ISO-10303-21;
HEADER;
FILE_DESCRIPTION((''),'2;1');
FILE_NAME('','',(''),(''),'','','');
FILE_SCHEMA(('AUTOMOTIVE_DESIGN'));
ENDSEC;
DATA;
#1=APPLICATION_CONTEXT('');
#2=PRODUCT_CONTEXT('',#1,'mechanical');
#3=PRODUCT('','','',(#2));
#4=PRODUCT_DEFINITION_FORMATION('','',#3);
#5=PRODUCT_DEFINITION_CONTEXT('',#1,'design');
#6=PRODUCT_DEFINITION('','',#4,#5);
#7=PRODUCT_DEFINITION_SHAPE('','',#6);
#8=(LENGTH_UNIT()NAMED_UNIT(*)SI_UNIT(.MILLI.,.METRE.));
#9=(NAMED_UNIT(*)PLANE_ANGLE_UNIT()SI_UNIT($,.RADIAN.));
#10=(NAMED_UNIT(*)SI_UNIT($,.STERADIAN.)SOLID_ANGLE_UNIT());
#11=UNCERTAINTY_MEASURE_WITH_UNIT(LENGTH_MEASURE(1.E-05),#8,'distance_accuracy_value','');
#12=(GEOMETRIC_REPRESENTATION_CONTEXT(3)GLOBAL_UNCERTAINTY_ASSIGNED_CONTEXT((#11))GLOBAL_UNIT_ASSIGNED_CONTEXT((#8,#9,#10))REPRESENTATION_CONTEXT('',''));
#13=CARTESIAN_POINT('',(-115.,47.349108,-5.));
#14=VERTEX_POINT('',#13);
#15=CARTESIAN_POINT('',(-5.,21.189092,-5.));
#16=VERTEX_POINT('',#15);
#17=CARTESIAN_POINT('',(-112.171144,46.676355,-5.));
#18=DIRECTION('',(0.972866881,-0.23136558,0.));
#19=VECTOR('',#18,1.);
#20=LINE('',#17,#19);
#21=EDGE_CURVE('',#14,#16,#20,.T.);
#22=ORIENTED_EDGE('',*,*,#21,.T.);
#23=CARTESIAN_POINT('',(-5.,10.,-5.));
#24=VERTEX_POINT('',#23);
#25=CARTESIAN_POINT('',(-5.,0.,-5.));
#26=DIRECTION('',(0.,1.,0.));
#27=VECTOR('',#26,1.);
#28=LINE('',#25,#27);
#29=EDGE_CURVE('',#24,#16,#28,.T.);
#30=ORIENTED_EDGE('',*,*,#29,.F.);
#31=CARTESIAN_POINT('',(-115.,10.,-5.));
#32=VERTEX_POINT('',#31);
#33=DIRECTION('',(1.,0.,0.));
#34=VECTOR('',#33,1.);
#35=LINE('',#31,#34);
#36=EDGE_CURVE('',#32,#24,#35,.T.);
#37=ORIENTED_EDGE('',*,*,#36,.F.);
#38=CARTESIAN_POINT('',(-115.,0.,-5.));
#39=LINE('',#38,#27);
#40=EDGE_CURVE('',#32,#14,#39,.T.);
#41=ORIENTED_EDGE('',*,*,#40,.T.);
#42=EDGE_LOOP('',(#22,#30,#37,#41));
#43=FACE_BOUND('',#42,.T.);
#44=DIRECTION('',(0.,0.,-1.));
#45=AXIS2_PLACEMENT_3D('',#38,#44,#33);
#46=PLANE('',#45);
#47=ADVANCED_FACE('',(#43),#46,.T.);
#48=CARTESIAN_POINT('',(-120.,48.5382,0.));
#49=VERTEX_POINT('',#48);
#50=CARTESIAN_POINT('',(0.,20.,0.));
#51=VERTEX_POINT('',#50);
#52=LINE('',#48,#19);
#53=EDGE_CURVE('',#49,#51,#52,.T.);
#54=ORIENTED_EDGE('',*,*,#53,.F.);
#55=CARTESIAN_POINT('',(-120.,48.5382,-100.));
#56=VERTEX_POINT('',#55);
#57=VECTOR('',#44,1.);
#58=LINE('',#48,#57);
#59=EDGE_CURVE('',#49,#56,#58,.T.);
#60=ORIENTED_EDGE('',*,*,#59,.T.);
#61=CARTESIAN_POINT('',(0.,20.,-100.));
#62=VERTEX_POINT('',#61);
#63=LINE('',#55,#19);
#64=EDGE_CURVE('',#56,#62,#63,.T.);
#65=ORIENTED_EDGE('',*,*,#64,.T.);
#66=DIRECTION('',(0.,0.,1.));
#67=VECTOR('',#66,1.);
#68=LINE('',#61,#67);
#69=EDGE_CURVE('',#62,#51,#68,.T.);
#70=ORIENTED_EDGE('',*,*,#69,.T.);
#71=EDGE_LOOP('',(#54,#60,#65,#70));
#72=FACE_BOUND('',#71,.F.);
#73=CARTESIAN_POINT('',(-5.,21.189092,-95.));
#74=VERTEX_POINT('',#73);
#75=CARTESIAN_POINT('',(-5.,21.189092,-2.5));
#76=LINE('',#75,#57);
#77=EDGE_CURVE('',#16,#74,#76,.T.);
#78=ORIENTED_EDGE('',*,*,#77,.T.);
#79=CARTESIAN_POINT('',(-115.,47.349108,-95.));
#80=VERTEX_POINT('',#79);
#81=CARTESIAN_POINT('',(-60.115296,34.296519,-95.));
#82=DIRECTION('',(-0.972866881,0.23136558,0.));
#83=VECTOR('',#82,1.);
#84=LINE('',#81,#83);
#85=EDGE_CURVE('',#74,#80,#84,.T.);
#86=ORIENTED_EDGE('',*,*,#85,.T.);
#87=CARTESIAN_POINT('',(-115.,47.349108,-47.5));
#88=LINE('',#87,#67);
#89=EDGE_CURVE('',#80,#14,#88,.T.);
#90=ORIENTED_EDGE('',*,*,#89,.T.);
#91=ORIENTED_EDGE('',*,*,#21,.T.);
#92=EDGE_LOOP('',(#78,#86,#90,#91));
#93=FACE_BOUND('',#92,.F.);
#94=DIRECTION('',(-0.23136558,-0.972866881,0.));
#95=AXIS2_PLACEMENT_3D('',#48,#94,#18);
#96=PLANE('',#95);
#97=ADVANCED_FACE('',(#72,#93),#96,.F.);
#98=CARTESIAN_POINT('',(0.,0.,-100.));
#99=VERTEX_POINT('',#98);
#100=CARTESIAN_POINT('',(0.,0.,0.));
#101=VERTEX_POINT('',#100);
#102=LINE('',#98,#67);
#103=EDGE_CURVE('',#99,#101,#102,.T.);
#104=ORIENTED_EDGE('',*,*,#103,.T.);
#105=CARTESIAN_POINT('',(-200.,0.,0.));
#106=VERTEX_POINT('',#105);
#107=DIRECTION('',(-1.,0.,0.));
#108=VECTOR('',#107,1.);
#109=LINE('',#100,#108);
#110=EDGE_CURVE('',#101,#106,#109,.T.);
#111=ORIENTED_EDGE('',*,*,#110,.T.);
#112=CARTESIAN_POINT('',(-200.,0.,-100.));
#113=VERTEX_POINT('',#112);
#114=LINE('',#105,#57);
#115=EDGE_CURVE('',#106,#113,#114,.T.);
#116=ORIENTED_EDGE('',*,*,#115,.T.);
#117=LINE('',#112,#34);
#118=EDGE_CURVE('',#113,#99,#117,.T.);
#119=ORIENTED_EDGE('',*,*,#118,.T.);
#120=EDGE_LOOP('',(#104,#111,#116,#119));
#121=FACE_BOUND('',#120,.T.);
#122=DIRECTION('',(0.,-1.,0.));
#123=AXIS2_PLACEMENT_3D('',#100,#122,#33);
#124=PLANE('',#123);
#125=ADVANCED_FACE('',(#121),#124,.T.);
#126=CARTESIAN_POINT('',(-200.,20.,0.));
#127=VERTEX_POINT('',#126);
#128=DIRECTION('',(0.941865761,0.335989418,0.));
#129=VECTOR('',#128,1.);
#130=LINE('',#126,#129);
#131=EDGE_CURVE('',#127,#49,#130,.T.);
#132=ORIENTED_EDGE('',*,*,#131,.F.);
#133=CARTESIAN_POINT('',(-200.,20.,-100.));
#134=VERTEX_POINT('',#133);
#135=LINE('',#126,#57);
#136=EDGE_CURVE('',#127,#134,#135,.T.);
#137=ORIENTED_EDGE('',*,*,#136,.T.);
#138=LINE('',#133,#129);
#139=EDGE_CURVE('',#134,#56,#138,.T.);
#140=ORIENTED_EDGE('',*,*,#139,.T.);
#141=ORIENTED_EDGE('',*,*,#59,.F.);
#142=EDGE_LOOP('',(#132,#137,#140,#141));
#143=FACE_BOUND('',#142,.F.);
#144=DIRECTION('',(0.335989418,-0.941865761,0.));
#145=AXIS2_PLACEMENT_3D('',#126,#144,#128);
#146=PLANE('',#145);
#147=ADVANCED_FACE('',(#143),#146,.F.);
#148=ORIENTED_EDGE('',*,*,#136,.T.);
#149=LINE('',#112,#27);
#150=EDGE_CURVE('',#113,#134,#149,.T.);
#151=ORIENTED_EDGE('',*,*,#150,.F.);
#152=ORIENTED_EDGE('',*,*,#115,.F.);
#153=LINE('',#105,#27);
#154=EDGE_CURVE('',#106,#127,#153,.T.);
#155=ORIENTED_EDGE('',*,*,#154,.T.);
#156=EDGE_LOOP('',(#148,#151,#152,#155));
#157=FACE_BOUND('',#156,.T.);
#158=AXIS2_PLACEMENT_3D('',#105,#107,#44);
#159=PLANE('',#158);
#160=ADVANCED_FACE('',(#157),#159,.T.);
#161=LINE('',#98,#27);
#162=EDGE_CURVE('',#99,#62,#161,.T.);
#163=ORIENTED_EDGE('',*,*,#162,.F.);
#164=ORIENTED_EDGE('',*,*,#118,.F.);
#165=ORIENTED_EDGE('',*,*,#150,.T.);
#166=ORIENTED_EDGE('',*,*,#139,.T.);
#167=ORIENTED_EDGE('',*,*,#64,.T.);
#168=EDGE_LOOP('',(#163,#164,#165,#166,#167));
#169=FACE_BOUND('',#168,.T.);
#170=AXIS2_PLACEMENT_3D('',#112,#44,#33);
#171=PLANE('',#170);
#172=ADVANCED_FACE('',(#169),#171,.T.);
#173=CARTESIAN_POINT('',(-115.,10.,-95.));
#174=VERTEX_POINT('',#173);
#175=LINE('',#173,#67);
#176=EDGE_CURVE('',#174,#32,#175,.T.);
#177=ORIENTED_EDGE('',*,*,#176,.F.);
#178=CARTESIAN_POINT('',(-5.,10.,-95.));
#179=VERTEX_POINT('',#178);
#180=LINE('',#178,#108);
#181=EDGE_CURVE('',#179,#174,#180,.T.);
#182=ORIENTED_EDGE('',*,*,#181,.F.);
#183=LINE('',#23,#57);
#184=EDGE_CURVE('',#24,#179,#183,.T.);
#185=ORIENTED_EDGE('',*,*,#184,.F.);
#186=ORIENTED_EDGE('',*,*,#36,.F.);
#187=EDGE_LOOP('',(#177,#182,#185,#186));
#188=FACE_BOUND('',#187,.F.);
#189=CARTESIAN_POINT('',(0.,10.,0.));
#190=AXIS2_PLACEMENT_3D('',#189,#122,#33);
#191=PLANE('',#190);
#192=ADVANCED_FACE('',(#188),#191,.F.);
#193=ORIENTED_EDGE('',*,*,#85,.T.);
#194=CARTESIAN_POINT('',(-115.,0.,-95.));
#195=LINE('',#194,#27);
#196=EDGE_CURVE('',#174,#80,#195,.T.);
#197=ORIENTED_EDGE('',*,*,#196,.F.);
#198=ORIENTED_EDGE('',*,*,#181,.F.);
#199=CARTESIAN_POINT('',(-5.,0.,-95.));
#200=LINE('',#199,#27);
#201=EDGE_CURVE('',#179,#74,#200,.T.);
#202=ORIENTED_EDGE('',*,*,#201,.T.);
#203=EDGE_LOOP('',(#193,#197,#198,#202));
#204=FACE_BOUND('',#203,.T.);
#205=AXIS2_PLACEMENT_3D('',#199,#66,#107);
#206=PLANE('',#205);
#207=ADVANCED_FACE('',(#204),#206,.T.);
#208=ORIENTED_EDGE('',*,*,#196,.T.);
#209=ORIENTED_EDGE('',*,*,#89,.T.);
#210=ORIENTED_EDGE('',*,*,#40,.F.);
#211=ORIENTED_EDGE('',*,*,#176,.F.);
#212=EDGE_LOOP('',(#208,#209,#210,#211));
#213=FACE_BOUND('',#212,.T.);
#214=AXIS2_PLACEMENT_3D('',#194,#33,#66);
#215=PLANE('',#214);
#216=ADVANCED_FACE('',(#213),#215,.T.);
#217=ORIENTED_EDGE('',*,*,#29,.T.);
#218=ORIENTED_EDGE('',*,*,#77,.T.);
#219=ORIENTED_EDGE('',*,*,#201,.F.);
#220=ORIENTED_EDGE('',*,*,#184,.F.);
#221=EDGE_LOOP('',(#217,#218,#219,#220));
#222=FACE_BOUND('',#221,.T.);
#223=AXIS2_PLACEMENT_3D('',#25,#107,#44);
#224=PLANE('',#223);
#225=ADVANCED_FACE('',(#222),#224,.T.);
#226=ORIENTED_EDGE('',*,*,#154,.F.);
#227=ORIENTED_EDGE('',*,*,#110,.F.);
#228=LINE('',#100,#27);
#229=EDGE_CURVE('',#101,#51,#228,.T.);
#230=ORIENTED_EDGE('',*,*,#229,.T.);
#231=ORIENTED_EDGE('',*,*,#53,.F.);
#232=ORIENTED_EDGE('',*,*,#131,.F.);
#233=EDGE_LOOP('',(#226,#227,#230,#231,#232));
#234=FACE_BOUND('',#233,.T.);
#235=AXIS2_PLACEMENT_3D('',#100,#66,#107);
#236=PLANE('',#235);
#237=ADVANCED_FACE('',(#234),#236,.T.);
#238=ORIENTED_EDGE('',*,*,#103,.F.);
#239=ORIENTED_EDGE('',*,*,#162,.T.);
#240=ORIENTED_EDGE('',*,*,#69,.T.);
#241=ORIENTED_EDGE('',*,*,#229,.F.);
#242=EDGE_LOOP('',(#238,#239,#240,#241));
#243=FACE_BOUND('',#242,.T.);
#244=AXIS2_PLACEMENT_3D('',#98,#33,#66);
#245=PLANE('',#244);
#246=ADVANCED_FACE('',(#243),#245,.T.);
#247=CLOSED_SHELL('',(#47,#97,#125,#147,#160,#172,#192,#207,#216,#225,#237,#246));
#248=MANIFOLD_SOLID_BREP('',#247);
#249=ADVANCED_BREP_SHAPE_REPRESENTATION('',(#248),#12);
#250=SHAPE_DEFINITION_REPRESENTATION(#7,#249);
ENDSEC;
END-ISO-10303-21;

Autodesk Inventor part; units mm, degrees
ref_plane "YZ Plane" through (0, 0, 0) normal (1, 0, 0) x (0, 1, 0)
ref_plane "XZ Plane" through (0, 0, 0) normal (0, 1, 0) x (-1, 0, 0)
ref_plane "XY Plane" through (0, 0, 0) normal (0, 0, 1) x (1, 0, 0)
sketch "Sketch1" plane through (0, 0, 0) normal (0, 1, 0) x (-1, 0, 0)
  line L0 (0, 0) -> (200, 0)
  line L1 (200, 0) -> (200, -100)
  line L2 (200, -100) -> (0, -100)
  line L3 (0, -100) -> (0, 0)
  dimension "d0" = 200
  dimension "d1" = 100
extrude "Extrusion1" add sketch "Sketch1" along normal blind 20
sketch "Sketch2" plane through (-200, 0, 0) normal (0, 0, 1) x (1, 0, 0)
  line L0 (0, 0) -> (0, 20) projected
  line L1 (0, 0) -> (32, 0)
  line L2 (32, 0) -> (64, 0)
  line L3 (200, 0) -> (0, 0) projected
  line L4 (64, 0) -> (96, 0)
  line L5 (96, 0) -> (128, 0)
  line L6 (128, 0) -> (200, 0)
  line L7 (64, 0) -> (64, 80.3945) construction
  line L8 (200, 20) -> (0, 20) projected
  line L9 (0, 20) -> (200, 20)
  line L10 (0, 20) -> (200, 20) projected
  line L11 (0, 20) -> (200, 20)
  line L12 (0, 20) -> (80, 48.5382)
  line L13 (80, 48.5382) -> (200, 20)
extrude "Extrusion2" add sketch "Sketch2" against normal blind 100
sketch "Sketch4" plane through (0, 0, 0) normal (0, -1, 0) x (1, 0, 0)
  line L0 (0, 0) -> (-5, 0)
  line L1 (-5, 0) -> (-5, -5)
  line L2 (-5, -5) -> (0, -5)
  line L3 (0, -5) -> (0, 0)
  line L4 (-120, 0) -> (-120, -100) projected
  line L5 (-120, 0) -> (-115, 0)
  line L6 (-115, 0) -> (-115, -5)
  line L7 (-115, -5) -> (-120, -5)
  line L8 (-120, -5) -> (-120, 0)
  line L9 (-120, -100) -> (-115, -100)
  line L10 (-115, -100) -> (-115, -95)
  line L11 (-115, -95) -> (-120, -95)
  line L12 (-120, -95) -> (-120, -100)
  line L13 (-115, -5) -> (-5, -5)
  line L14 (-5, -5) -> (-5, -95)
  line L15 (-5, -95) -> (-115, -95)
  line L16 (-115, -95) -> (-115, -5)
  dimension "d23" = 5
  dimension "d24" = 5
  dimension "d25" = 5
  dimension "d26" = 5
  dimension "d27" = 5
  dimension "d28" = 5
extrude "Extrusion3" cut sketch "Sketch4" against normal blind 68.75 contours L14 L15 L16 L13
extrude "Extrusion4" add sketch "Sketch4" against normal blind 10 contours L14 L15 L16 L13
properties part number "Cybertruck 1"
